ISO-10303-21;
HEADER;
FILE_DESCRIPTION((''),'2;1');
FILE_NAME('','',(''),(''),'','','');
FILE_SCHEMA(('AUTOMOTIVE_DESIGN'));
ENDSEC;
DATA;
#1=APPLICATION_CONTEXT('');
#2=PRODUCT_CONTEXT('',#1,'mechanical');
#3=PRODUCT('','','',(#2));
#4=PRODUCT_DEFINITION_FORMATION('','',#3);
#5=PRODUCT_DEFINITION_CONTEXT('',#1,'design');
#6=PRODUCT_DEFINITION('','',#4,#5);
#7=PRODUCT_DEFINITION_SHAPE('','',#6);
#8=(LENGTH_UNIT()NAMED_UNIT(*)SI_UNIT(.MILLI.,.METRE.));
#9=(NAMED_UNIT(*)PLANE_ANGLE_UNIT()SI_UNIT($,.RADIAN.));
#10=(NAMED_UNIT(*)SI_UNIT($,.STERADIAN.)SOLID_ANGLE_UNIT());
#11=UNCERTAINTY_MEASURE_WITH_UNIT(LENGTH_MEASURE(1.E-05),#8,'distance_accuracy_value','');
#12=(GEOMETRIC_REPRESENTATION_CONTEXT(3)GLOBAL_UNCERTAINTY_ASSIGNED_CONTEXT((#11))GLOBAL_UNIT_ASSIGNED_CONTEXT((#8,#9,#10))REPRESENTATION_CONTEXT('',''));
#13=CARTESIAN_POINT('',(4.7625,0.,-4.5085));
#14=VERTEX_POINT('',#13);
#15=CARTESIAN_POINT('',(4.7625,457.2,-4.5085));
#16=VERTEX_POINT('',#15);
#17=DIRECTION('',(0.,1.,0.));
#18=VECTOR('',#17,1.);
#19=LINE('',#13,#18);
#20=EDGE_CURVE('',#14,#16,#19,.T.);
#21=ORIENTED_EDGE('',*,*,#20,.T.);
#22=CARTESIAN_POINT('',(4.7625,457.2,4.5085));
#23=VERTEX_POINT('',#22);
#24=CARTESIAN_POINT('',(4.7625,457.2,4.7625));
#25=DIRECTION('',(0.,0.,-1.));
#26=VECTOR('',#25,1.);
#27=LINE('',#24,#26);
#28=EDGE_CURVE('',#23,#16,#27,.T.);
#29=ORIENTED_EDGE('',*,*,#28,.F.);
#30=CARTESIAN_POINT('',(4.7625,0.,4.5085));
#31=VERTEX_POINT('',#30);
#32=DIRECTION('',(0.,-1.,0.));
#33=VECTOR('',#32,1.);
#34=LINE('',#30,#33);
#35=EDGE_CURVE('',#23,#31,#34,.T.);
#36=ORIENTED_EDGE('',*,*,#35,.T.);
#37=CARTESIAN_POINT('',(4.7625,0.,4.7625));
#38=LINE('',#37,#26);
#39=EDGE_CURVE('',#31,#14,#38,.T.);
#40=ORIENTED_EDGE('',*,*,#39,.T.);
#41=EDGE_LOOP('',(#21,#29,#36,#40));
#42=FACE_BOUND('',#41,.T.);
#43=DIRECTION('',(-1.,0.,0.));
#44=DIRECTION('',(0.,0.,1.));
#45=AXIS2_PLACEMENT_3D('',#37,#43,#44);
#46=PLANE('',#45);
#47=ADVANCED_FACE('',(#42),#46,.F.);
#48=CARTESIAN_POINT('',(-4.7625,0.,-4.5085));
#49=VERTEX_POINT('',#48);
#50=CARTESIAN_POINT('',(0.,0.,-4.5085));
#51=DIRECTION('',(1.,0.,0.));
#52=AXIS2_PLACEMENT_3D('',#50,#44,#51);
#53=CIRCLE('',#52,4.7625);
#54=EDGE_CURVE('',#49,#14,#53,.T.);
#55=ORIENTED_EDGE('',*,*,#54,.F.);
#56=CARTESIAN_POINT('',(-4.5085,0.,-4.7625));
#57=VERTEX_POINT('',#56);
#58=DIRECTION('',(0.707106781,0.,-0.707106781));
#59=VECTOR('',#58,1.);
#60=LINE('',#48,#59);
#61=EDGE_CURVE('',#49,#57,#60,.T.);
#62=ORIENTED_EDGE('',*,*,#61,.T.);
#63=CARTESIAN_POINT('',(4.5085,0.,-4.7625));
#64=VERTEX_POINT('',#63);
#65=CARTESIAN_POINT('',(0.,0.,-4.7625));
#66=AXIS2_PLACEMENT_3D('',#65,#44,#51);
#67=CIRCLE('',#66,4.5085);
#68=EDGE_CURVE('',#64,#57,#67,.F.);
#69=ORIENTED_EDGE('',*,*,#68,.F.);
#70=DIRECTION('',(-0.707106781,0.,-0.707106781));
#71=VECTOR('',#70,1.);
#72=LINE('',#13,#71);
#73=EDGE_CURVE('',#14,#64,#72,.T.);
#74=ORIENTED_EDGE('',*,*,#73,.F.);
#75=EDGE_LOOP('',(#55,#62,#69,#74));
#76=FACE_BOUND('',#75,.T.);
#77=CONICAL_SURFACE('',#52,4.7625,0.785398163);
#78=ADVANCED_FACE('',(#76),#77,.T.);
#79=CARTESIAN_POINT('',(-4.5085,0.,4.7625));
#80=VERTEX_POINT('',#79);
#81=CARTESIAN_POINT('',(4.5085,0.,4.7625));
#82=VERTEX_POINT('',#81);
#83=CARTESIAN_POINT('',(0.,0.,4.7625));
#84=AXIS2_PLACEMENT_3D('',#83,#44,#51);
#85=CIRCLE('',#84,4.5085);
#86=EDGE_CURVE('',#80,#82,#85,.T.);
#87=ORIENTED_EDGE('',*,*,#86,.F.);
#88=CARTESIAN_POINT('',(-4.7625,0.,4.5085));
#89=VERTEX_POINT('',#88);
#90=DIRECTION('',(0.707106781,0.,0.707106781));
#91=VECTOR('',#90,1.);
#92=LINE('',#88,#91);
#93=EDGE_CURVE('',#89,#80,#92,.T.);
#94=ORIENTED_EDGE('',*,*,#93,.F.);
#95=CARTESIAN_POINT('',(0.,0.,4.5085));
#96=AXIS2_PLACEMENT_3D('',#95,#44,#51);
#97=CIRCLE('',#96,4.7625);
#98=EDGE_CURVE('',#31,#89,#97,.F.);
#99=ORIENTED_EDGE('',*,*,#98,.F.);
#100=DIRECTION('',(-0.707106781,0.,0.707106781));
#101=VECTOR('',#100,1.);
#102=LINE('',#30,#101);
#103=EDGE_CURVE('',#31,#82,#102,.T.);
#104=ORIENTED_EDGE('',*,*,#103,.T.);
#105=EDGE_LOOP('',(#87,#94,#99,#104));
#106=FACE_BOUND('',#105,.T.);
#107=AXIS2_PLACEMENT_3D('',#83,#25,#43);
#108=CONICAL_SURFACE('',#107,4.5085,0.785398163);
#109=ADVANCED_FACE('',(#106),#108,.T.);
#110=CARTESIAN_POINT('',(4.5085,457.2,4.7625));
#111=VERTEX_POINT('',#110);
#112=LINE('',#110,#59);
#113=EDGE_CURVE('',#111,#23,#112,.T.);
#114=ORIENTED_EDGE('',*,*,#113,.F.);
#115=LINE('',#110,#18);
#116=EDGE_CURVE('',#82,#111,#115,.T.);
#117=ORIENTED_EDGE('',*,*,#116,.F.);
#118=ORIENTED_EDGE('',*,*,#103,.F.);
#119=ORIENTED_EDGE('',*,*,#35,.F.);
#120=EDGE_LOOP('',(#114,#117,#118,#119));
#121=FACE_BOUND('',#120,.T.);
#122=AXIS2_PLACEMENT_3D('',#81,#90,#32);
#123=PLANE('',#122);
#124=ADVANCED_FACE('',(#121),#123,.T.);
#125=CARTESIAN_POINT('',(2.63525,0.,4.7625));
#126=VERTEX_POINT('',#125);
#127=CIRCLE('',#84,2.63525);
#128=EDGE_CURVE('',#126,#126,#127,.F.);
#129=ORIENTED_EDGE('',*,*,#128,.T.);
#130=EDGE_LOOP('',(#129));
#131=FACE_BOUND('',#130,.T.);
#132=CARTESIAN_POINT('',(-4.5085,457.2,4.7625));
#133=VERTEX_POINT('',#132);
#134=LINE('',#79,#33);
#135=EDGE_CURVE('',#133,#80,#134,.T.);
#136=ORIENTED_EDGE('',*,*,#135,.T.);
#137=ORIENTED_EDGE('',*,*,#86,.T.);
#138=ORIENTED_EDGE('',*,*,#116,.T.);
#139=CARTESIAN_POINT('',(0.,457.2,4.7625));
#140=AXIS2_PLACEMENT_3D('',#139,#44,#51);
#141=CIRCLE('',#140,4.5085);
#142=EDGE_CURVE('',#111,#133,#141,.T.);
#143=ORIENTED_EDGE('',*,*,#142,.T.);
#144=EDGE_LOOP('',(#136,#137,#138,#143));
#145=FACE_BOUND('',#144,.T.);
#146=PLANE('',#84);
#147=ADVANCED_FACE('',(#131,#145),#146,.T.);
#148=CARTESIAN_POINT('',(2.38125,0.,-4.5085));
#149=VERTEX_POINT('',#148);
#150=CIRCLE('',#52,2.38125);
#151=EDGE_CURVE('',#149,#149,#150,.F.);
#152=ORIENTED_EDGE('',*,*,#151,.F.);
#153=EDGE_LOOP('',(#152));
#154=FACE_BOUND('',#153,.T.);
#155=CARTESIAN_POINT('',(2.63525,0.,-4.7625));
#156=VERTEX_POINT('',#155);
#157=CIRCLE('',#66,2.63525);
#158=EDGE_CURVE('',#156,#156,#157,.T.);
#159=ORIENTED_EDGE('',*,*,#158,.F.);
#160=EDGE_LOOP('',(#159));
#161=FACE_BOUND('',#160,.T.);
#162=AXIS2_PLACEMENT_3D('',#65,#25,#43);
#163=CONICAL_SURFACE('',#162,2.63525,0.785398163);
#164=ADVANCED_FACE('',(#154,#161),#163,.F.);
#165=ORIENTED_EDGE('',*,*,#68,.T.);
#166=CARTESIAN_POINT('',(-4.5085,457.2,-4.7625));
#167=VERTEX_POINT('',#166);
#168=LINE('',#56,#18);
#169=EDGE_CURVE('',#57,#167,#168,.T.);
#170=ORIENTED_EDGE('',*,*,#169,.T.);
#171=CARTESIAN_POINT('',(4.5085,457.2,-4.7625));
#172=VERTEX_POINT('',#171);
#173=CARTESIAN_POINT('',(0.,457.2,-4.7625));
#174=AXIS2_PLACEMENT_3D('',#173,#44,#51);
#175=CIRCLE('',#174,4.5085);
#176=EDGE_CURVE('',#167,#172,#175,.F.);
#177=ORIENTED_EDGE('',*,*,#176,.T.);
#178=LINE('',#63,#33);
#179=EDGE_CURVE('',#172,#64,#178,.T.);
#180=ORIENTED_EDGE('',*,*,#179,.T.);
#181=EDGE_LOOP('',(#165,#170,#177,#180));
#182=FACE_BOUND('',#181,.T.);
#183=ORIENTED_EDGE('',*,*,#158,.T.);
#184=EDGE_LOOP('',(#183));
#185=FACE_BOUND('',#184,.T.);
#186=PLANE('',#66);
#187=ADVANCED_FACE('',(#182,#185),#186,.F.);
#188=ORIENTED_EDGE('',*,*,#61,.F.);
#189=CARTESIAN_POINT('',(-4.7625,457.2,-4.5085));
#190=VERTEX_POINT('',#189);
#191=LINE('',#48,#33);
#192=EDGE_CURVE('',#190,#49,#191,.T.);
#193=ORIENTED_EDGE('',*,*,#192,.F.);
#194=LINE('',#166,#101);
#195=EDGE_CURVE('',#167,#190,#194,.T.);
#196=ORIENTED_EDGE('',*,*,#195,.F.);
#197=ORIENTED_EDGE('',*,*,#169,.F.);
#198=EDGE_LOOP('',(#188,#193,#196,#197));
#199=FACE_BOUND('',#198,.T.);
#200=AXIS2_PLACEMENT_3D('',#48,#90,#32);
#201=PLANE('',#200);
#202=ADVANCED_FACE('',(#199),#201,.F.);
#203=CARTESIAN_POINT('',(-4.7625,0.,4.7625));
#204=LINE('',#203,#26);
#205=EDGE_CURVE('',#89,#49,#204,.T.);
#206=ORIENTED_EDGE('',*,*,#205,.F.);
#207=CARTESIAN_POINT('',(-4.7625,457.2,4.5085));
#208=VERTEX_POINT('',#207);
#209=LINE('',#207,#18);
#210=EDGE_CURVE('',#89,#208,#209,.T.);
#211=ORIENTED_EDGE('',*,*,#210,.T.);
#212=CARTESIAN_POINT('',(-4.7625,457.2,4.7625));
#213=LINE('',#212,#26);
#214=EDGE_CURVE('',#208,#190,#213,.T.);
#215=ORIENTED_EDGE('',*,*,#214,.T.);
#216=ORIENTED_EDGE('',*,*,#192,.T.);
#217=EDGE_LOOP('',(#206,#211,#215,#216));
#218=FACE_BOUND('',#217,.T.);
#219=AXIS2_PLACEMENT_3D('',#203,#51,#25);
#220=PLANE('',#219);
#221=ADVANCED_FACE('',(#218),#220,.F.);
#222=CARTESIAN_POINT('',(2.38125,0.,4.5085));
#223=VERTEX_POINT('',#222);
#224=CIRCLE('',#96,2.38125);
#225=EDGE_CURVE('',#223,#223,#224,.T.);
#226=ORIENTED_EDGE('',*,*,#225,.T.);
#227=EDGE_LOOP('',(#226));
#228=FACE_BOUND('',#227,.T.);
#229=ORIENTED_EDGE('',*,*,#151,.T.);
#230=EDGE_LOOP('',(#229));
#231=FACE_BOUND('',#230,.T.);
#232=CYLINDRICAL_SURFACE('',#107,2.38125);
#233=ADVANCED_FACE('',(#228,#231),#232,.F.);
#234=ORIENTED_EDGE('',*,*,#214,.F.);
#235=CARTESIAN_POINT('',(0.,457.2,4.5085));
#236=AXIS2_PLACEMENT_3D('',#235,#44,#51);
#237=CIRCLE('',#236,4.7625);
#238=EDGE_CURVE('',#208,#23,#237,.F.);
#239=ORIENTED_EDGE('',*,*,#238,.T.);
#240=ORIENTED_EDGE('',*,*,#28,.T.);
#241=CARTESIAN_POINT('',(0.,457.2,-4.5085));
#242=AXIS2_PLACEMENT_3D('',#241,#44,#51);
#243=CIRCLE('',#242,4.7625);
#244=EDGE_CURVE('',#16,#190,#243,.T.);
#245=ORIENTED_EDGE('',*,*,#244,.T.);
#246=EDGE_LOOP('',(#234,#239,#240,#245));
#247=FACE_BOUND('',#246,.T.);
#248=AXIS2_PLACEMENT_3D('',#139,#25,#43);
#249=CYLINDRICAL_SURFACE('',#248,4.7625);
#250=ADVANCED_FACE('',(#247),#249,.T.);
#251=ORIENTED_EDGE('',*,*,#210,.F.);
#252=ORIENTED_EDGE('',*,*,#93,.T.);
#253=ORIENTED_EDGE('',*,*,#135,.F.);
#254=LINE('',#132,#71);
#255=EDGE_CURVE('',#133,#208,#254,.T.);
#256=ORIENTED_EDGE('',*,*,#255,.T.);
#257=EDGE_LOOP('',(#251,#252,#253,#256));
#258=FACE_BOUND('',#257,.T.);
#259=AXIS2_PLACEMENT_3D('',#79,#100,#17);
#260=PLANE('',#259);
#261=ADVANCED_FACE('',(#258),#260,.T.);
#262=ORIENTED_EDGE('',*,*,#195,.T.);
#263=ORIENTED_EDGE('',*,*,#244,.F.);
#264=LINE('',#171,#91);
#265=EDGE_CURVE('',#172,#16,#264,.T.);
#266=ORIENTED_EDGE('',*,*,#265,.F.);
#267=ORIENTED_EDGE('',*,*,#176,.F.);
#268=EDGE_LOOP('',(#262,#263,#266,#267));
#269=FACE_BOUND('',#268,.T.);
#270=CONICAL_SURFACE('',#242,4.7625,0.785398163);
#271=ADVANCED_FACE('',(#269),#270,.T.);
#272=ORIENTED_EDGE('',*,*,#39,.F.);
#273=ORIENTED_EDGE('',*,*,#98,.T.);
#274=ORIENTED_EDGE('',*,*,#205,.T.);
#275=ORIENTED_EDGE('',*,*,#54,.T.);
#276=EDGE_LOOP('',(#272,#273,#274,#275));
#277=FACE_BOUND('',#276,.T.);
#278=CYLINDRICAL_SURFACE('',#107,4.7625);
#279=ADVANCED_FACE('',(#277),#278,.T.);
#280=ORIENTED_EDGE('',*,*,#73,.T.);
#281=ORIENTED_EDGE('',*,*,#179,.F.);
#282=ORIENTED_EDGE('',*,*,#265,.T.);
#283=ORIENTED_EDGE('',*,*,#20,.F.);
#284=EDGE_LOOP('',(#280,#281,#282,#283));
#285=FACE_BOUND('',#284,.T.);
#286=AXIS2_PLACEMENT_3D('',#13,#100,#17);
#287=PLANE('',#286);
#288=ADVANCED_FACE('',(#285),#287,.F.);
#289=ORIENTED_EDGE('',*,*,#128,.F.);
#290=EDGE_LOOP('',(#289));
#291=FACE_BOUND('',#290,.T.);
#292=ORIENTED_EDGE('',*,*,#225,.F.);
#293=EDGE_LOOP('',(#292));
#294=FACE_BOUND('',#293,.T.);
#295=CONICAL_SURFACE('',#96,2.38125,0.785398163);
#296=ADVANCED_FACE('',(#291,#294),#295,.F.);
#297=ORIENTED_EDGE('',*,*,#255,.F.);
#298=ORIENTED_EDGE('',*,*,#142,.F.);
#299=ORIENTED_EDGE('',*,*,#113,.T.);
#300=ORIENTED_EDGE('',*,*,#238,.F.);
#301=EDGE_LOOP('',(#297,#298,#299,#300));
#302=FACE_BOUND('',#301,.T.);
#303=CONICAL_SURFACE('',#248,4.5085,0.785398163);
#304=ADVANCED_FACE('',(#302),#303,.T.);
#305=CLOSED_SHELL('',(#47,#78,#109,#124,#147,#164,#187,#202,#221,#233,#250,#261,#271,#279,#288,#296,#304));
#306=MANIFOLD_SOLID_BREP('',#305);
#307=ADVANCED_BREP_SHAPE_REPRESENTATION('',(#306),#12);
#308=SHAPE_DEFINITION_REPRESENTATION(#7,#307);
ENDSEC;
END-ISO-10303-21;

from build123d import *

# Parameters (mm, degrees)
SKETCH1_R           = 2.38125
BOSS_EXTRUDE1_DEPTH = 4.7625
CHAMFER1_SIZE       = 0.254


with BuildPart() as part:
    # Sketch1 → Boss-Extrude1 (new body, symmetric)
    with BuildSketch(Plane.XY):
        with BuildLine():
            Line((-4.7625, 0), (-4.7625, 457.2))
            ThreePointArc((-4.7625, 457.2), (0, 461.9625), (4.7625, 457.2))
            Line((4.7625, 457.2), (4.7625, 0))
            ThreePointArc((4.7625, 0), (0, -4.7625), (-4.7625, 0))
        make_face()
        Circle(SKETCH1_R, mode=Mode.SUBTRACT)
    extrude(amount=BOSS_EXTRUDE1_DEPTH, both=True)

    # Chamfer1
    chamfer1_edges = [part.edges().sort_by_distance(p)[0] for p in [
        (-2.38125, 0, -4.7625),
        (-2.38125, 0, 4.7625),
        (0, 461.9625, 4.7625),
        (-4.7625, 228.6, 4.7625),
        (0, -4.7625, 4.7625),
        (-4.7625, 228.6, -4.7625),
        (0, 461.9625, -4.7625),
        (4.7625, 228.6, -4.7625),
        (0, -4.7625, -4.7625),
        (4.7625, 228.6, 4.7625),
    ]]
    chamfer(chamfer1_edges, length=CHAMFER1_SIZE)


solid = part.part
